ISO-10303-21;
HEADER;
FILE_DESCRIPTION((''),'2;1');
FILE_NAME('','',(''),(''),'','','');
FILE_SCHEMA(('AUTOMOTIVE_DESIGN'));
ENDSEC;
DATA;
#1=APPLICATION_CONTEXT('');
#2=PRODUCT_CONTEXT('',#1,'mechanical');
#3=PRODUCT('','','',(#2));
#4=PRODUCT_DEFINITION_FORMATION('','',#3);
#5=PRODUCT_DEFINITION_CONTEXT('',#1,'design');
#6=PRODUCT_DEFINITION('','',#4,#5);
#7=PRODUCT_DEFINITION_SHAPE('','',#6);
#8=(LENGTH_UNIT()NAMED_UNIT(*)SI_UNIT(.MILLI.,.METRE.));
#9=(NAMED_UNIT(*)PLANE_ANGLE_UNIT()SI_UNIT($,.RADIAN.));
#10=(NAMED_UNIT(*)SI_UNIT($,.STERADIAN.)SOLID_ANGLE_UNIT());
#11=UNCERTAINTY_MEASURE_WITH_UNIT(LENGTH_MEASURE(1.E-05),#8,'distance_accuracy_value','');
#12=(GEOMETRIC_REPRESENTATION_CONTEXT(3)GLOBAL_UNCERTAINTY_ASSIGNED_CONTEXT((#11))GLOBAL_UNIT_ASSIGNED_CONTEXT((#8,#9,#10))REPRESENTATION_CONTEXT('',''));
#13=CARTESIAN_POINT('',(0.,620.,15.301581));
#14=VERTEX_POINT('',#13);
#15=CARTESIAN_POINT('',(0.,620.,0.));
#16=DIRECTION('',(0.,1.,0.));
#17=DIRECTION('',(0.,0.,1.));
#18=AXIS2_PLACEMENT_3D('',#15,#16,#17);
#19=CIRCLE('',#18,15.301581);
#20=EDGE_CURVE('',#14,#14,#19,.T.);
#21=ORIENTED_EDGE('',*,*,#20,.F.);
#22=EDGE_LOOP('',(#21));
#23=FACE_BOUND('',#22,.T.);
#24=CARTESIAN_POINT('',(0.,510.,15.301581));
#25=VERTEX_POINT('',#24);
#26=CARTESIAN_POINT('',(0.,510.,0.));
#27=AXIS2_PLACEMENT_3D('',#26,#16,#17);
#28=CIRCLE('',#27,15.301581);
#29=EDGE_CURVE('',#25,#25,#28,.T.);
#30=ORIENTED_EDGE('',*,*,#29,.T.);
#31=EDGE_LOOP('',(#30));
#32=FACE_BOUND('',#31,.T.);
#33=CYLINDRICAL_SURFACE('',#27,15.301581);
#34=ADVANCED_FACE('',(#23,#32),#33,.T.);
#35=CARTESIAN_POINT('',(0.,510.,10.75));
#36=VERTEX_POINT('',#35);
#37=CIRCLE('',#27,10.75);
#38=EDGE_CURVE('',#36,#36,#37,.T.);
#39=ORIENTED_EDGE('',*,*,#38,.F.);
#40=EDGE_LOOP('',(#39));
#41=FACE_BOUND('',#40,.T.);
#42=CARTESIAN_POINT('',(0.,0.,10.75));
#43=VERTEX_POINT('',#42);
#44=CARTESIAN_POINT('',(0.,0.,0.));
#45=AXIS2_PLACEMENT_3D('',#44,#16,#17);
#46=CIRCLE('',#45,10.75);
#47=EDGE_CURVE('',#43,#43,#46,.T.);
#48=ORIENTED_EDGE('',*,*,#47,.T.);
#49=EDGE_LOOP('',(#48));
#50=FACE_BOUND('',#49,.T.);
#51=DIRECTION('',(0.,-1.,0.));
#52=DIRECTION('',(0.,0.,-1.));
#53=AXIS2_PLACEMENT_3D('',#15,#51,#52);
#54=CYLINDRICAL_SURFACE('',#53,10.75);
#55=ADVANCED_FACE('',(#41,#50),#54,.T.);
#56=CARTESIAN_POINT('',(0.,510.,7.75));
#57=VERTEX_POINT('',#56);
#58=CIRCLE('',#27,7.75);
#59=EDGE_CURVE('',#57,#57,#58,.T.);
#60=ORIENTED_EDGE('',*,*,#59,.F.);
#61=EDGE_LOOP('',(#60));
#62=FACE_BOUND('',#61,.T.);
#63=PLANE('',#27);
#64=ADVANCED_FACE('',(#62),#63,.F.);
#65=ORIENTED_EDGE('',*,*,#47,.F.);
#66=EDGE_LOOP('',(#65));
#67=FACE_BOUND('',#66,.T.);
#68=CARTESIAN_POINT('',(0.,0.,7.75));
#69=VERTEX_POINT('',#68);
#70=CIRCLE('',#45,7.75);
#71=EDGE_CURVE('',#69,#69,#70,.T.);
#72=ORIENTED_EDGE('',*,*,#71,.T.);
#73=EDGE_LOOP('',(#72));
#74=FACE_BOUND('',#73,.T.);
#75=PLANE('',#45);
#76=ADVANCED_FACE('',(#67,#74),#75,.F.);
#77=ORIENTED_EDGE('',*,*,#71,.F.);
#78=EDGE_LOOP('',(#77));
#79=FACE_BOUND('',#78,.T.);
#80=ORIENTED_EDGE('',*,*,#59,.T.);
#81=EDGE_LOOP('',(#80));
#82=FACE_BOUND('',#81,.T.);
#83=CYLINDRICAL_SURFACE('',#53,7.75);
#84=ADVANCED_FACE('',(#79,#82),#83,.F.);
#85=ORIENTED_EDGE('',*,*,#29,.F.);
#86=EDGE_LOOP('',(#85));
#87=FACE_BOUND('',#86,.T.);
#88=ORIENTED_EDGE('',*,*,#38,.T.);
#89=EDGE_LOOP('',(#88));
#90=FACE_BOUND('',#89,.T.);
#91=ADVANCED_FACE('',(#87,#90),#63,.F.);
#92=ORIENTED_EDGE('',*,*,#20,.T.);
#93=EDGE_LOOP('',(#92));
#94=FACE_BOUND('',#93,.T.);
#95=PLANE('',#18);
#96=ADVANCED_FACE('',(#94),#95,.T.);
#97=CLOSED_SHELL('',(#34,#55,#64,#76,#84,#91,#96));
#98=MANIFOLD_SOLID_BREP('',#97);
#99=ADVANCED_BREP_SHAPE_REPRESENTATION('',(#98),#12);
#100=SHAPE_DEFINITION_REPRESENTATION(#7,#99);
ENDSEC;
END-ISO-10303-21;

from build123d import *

# Parameters (mm, degrees)
SKETCH_1_R      = 10.75
SKETCH_1_R_2    = 7.75
EXTRUDE_1_DEPTH = 620
SKETCH_2_R      = 15.301580628
EXTRUDE_2_DEPTH = 110


with BuildPart() as part:
    # Эскиз1 → Бобышка-Вытянуть1 (new body)
    with BuildSketch(Plane(origin=(0, 0, 0), x_dir=(1, 0, 0), z_dir=(0, 1, 0))):
        with Locations(Location((0, 0, 0), (0, 0, 270))):
            Circle(SKETCH_1_R)
        with Locations(Location((0, 0, 0), (0, 0, 270))):
            Circle(SKETCH_1_R_2, mode=Mode.SUBTRACT)
    extrude(amount=EXTRUDE_1_DEPTH)

    # Эскиз2 → Бобышка-Вытянуть2 (add)
    with BuildSketch(Plane(origin=(0, 620, 0), x_dir=(1, 0, 0), z_dir=(0, 1, 0))):
        with Locations(Location((0, 0, 0), (0, 0, 270))):
            Circle(SKETCH_2_R)
    extrude(amount=-EXTRUDE_2_DEPTH)


solid = part.part
